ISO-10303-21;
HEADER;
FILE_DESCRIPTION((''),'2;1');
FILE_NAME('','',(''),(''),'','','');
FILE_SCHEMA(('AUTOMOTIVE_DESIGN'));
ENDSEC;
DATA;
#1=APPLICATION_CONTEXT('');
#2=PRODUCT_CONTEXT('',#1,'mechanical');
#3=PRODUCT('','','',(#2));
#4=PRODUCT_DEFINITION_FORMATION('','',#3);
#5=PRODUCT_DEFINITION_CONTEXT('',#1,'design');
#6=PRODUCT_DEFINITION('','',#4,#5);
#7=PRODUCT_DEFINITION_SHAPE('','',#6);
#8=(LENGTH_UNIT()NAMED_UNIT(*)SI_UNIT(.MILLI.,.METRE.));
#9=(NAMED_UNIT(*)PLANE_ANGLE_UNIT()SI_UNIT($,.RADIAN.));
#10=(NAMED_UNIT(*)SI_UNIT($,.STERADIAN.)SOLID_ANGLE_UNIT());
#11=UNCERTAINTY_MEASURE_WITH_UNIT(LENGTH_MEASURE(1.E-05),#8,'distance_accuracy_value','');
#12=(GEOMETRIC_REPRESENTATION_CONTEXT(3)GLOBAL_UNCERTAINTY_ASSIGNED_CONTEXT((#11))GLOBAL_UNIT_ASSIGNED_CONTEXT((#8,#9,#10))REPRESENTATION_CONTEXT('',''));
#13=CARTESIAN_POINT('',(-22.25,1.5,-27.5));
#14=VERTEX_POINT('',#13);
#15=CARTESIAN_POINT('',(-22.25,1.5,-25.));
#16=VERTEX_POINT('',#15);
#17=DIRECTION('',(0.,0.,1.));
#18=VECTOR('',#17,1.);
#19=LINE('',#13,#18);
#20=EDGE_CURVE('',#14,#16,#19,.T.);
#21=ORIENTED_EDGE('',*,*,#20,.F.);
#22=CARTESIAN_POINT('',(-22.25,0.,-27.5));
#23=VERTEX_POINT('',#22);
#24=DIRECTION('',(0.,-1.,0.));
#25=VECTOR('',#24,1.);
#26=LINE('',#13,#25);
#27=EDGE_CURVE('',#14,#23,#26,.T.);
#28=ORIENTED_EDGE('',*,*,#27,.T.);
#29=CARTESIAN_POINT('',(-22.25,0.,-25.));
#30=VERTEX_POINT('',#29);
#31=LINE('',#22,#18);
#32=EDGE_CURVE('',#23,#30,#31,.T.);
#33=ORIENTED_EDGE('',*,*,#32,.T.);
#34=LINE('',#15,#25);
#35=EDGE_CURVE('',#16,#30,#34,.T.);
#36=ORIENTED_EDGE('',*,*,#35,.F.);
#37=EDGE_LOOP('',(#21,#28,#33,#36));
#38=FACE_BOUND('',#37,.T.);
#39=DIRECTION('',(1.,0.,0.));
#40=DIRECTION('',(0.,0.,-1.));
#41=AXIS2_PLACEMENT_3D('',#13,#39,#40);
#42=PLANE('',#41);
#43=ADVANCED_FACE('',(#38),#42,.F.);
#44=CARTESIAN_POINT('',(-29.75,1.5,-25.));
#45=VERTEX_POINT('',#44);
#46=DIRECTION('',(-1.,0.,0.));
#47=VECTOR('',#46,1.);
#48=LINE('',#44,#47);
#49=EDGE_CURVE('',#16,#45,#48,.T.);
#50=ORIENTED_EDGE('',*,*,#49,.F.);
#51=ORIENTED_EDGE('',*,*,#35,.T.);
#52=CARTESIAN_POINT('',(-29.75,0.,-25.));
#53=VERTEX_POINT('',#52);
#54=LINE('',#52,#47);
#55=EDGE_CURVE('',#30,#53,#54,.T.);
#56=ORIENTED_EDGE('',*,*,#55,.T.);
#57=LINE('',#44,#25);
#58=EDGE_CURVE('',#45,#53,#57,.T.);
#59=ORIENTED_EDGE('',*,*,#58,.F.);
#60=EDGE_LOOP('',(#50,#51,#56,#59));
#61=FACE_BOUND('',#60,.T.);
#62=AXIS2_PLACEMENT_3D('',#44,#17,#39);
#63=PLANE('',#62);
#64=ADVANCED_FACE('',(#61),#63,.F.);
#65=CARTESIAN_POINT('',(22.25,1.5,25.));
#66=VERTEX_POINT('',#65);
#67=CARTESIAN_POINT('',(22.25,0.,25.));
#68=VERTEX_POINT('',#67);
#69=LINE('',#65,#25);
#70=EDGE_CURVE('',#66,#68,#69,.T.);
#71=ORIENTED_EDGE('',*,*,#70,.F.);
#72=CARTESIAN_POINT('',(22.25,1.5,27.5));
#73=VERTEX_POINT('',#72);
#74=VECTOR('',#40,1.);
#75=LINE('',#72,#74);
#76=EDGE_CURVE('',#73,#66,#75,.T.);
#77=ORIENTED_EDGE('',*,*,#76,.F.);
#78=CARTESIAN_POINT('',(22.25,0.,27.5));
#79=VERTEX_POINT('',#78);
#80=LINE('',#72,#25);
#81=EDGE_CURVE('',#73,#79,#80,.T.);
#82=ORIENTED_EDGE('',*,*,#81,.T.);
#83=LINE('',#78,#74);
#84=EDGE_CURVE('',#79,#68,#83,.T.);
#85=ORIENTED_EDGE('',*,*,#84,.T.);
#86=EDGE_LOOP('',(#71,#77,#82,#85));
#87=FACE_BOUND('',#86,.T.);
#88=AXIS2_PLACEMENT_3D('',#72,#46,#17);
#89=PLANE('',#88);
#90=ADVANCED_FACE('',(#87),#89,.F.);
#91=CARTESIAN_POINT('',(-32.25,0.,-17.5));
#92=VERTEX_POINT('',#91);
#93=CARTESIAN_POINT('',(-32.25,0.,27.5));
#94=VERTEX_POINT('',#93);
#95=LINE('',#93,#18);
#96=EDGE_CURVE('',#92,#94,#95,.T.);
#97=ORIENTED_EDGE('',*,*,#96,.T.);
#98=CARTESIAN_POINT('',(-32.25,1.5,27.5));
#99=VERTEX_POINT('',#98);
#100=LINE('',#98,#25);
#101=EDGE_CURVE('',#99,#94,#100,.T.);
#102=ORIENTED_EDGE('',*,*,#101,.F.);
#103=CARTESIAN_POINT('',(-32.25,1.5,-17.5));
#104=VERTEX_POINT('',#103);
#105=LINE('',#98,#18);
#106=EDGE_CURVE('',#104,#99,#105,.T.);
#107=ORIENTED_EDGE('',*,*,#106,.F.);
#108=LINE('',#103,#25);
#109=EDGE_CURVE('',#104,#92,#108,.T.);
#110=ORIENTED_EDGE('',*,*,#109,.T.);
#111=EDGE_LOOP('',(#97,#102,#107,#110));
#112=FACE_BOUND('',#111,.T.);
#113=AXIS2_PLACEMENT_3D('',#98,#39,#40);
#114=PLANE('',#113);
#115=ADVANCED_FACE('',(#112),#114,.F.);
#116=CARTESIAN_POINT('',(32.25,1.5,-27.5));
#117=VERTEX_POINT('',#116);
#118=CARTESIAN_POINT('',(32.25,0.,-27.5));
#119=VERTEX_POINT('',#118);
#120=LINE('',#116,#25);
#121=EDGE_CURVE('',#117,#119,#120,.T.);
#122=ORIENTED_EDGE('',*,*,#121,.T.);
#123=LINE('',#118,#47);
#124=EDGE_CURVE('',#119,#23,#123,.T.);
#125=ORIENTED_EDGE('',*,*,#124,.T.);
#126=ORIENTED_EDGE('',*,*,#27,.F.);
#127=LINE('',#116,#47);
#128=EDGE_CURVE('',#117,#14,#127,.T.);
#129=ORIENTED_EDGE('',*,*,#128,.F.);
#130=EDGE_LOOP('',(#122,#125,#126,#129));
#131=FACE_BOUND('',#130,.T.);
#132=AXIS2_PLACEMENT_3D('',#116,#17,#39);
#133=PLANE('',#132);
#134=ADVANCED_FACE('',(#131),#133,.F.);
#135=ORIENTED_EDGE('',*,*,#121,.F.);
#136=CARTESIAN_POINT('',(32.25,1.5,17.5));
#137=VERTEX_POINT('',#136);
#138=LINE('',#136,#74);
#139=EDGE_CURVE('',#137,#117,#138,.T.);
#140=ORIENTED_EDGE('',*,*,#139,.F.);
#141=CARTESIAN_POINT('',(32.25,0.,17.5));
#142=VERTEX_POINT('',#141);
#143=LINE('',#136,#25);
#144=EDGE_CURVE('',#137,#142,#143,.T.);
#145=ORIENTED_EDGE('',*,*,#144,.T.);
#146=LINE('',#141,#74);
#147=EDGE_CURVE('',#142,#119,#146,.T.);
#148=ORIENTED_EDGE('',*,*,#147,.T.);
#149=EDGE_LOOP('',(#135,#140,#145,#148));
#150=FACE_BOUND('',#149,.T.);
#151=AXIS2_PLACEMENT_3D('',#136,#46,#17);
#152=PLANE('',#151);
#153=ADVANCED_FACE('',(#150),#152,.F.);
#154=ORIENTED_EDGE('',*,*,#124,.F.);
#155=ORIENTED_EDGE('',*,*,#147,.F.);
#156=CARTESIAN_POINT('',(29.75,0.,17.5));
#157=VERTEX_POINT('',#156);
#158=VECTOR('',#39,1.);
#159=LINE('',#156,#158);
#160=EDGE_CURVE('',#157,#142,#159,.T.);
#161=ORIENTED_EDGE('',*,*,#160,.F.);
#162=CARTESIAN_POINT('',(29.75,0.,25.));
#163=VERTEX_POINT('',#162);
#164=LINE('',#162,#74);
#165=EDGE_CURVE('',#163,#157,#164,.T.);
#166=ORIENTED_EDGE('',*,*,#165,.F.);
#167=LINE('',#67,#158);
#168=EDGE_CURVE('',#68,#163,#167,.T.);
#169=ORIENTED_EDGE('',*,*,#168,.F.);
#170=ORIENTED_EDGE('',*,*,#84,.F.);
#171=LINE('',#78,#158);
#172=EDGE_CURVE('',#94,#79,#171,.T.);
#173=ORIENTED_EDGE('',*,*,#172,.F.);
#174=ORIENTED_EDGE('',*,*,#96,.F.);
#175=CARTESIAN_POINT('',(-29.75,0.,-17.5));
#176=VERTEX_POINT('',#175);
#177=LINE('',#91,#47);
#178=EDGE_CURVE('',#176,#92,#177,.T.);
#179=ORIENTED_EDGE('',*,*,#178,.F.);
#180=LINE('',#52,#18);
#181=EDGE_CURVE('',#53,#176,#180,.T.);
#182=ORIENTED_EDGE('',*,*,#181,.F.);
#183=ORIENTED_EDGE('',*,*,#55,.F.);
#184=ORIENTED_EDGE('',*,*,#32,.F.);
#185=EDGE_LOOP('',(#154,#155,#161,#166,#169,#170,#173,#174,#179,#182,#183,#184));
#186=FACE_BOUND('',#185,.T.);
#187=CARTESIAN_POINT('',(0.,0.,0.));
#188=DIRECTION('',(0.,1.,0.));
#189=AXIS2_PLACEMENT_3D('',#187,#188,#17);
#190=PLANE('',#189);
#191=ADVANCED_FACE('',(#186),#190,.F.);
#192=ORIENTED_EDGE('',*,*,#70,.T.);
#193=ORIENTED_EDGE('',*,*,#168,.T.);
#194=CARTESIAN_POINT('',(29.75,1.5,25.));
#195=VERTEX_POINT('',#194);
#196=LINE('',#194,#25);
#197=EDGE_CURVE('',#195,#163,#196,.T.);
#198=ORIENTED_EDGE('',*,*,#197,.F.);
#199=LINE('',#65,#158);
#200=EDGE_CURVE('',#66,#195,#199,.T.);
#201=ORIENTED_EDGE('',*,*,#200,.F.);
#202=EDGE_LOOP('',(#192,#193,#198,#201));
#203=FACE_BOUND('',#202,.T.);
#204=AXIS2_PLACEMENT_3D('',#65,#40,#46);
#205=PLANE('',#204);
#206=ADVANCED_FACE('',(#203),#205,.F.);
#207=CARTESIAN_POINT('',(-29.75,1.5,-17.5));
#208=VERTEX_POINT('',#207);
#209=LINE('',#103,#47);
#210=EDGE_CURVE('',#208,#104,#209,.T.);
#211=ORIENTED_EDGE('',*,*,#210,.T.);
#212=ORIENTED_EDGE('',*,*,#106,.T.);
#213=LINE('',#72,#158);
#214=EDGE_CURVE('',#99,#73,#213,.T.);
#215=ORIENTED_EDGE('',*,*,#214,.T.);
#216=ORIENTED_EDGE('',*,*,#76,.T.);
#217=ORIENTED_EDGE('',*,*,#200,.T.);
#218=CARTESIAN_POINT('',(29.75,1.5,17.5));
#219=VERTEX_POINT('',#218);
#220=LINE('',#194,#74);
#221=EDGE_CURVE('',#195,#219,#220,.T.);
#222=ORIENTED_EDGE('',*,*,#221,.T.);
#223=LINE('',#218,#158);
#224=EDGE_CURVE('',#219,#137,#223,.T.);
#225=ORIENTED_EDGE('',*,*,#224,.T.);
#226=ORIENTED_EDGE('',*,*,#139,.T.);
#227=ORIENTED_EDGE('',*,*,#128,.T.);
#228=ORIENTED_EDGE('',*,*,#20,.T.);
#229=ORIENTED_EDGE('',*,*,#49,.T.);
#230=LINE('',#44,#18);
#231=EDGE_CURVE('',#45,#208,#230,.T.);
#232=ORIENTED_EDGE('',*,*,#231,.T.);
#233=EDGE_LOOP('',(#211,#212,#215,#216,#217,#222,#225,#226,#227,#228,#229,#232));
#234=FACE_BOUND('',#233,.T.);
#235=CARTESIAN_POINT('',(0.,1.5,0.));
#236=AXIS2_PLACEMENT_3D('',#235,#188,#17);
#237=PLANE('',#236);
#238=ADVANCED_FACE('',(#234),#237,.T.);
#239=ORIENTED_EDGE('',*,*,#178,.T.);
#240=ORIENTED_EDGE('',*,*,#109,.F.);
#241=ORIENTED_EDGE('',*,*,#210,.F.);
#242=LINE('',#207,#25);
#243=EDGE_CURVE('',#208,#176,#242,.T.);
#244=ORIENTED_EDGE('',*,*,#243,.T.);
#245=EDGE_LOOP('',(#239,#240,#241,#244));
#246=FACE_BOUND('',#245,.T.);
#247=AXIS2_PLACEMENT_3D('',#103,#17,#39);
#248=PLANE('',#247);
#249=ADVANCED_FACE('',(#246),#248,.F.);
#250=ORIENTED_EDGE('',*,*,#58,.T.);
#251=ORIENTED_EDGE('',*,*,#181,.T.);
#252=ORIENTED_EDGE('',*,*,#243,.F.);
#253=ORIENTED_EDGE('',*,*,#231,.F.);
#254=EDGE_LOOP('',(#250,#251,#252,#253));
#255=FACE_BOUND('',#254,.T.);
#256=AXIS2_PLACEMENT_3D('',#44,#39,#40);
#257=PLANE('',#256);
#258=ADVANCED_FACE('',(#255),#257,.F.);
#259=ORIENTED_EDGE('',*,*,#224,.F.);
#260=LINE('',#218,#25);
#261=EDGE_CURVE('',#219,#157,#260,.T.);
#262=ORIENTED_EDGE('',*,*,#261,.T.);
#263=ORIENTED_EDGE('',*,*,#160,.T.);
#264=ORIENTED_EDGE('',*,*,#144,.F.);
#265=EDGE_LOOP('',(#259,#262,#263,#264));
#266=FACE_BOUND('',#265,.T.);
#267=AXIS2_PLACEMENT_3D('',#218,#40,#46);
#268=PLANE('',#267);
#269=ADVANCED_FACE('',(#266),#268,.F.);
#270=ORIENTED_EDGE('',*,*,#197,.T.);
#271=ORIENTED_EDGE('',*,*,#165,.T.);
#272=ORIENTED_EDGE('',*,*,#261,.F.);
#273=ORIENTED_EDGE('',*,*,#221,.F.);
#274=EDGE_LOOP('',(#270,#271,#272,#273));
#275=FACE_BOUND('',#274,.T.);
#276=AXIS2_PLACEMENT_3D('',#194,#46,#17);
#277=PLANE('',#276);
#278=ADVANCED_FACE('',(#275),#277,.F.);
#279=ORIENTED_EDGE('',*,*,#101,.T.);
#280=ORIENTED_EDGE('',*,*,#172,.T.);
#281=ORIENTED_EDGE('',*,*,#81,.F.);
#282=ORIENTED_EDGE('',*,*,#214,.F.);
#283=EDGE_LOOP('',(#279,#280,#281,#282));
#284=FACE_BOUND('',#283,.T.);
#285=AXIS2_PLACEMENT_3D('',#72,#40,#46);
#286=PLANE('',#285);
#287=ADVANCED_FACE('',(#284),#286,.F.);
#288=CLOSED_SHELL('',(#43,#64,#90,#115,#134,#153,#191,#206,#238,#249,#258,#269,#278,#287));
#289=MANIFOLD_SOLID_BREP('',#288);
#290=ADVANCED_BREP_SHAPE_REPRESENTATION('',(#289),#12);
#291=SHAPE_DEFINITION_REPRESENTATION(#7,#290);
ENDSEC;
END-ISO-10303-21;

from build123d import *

# Parameters (mm, degrees)
BOSS_EXTRUDE1_DEPTH = 1.5


with BuildPart() as part:
    # Sketch1 → Boss-Extrude1 (new body)
    with BuildSketch(Plane(origin=(0, 0, 0), x_dir=(1, 0, 0), z_dir=(0, 1, 0))):
        Polygon((22.25, -27.5), (22.25, -25), (29.75, -25), (29.75, -17.5), (32.25, -17.5), (32.25, 27.5), (-22.25, 27.5), (-22.25, 25), (-29.75, 25), (-29.75, 17.5), (-32.25, 17.5), (-32.25, -27.5), align=None)
    extrude(amount=BOSS_EXTRUDE1_DEPTH)


solid = part.part
